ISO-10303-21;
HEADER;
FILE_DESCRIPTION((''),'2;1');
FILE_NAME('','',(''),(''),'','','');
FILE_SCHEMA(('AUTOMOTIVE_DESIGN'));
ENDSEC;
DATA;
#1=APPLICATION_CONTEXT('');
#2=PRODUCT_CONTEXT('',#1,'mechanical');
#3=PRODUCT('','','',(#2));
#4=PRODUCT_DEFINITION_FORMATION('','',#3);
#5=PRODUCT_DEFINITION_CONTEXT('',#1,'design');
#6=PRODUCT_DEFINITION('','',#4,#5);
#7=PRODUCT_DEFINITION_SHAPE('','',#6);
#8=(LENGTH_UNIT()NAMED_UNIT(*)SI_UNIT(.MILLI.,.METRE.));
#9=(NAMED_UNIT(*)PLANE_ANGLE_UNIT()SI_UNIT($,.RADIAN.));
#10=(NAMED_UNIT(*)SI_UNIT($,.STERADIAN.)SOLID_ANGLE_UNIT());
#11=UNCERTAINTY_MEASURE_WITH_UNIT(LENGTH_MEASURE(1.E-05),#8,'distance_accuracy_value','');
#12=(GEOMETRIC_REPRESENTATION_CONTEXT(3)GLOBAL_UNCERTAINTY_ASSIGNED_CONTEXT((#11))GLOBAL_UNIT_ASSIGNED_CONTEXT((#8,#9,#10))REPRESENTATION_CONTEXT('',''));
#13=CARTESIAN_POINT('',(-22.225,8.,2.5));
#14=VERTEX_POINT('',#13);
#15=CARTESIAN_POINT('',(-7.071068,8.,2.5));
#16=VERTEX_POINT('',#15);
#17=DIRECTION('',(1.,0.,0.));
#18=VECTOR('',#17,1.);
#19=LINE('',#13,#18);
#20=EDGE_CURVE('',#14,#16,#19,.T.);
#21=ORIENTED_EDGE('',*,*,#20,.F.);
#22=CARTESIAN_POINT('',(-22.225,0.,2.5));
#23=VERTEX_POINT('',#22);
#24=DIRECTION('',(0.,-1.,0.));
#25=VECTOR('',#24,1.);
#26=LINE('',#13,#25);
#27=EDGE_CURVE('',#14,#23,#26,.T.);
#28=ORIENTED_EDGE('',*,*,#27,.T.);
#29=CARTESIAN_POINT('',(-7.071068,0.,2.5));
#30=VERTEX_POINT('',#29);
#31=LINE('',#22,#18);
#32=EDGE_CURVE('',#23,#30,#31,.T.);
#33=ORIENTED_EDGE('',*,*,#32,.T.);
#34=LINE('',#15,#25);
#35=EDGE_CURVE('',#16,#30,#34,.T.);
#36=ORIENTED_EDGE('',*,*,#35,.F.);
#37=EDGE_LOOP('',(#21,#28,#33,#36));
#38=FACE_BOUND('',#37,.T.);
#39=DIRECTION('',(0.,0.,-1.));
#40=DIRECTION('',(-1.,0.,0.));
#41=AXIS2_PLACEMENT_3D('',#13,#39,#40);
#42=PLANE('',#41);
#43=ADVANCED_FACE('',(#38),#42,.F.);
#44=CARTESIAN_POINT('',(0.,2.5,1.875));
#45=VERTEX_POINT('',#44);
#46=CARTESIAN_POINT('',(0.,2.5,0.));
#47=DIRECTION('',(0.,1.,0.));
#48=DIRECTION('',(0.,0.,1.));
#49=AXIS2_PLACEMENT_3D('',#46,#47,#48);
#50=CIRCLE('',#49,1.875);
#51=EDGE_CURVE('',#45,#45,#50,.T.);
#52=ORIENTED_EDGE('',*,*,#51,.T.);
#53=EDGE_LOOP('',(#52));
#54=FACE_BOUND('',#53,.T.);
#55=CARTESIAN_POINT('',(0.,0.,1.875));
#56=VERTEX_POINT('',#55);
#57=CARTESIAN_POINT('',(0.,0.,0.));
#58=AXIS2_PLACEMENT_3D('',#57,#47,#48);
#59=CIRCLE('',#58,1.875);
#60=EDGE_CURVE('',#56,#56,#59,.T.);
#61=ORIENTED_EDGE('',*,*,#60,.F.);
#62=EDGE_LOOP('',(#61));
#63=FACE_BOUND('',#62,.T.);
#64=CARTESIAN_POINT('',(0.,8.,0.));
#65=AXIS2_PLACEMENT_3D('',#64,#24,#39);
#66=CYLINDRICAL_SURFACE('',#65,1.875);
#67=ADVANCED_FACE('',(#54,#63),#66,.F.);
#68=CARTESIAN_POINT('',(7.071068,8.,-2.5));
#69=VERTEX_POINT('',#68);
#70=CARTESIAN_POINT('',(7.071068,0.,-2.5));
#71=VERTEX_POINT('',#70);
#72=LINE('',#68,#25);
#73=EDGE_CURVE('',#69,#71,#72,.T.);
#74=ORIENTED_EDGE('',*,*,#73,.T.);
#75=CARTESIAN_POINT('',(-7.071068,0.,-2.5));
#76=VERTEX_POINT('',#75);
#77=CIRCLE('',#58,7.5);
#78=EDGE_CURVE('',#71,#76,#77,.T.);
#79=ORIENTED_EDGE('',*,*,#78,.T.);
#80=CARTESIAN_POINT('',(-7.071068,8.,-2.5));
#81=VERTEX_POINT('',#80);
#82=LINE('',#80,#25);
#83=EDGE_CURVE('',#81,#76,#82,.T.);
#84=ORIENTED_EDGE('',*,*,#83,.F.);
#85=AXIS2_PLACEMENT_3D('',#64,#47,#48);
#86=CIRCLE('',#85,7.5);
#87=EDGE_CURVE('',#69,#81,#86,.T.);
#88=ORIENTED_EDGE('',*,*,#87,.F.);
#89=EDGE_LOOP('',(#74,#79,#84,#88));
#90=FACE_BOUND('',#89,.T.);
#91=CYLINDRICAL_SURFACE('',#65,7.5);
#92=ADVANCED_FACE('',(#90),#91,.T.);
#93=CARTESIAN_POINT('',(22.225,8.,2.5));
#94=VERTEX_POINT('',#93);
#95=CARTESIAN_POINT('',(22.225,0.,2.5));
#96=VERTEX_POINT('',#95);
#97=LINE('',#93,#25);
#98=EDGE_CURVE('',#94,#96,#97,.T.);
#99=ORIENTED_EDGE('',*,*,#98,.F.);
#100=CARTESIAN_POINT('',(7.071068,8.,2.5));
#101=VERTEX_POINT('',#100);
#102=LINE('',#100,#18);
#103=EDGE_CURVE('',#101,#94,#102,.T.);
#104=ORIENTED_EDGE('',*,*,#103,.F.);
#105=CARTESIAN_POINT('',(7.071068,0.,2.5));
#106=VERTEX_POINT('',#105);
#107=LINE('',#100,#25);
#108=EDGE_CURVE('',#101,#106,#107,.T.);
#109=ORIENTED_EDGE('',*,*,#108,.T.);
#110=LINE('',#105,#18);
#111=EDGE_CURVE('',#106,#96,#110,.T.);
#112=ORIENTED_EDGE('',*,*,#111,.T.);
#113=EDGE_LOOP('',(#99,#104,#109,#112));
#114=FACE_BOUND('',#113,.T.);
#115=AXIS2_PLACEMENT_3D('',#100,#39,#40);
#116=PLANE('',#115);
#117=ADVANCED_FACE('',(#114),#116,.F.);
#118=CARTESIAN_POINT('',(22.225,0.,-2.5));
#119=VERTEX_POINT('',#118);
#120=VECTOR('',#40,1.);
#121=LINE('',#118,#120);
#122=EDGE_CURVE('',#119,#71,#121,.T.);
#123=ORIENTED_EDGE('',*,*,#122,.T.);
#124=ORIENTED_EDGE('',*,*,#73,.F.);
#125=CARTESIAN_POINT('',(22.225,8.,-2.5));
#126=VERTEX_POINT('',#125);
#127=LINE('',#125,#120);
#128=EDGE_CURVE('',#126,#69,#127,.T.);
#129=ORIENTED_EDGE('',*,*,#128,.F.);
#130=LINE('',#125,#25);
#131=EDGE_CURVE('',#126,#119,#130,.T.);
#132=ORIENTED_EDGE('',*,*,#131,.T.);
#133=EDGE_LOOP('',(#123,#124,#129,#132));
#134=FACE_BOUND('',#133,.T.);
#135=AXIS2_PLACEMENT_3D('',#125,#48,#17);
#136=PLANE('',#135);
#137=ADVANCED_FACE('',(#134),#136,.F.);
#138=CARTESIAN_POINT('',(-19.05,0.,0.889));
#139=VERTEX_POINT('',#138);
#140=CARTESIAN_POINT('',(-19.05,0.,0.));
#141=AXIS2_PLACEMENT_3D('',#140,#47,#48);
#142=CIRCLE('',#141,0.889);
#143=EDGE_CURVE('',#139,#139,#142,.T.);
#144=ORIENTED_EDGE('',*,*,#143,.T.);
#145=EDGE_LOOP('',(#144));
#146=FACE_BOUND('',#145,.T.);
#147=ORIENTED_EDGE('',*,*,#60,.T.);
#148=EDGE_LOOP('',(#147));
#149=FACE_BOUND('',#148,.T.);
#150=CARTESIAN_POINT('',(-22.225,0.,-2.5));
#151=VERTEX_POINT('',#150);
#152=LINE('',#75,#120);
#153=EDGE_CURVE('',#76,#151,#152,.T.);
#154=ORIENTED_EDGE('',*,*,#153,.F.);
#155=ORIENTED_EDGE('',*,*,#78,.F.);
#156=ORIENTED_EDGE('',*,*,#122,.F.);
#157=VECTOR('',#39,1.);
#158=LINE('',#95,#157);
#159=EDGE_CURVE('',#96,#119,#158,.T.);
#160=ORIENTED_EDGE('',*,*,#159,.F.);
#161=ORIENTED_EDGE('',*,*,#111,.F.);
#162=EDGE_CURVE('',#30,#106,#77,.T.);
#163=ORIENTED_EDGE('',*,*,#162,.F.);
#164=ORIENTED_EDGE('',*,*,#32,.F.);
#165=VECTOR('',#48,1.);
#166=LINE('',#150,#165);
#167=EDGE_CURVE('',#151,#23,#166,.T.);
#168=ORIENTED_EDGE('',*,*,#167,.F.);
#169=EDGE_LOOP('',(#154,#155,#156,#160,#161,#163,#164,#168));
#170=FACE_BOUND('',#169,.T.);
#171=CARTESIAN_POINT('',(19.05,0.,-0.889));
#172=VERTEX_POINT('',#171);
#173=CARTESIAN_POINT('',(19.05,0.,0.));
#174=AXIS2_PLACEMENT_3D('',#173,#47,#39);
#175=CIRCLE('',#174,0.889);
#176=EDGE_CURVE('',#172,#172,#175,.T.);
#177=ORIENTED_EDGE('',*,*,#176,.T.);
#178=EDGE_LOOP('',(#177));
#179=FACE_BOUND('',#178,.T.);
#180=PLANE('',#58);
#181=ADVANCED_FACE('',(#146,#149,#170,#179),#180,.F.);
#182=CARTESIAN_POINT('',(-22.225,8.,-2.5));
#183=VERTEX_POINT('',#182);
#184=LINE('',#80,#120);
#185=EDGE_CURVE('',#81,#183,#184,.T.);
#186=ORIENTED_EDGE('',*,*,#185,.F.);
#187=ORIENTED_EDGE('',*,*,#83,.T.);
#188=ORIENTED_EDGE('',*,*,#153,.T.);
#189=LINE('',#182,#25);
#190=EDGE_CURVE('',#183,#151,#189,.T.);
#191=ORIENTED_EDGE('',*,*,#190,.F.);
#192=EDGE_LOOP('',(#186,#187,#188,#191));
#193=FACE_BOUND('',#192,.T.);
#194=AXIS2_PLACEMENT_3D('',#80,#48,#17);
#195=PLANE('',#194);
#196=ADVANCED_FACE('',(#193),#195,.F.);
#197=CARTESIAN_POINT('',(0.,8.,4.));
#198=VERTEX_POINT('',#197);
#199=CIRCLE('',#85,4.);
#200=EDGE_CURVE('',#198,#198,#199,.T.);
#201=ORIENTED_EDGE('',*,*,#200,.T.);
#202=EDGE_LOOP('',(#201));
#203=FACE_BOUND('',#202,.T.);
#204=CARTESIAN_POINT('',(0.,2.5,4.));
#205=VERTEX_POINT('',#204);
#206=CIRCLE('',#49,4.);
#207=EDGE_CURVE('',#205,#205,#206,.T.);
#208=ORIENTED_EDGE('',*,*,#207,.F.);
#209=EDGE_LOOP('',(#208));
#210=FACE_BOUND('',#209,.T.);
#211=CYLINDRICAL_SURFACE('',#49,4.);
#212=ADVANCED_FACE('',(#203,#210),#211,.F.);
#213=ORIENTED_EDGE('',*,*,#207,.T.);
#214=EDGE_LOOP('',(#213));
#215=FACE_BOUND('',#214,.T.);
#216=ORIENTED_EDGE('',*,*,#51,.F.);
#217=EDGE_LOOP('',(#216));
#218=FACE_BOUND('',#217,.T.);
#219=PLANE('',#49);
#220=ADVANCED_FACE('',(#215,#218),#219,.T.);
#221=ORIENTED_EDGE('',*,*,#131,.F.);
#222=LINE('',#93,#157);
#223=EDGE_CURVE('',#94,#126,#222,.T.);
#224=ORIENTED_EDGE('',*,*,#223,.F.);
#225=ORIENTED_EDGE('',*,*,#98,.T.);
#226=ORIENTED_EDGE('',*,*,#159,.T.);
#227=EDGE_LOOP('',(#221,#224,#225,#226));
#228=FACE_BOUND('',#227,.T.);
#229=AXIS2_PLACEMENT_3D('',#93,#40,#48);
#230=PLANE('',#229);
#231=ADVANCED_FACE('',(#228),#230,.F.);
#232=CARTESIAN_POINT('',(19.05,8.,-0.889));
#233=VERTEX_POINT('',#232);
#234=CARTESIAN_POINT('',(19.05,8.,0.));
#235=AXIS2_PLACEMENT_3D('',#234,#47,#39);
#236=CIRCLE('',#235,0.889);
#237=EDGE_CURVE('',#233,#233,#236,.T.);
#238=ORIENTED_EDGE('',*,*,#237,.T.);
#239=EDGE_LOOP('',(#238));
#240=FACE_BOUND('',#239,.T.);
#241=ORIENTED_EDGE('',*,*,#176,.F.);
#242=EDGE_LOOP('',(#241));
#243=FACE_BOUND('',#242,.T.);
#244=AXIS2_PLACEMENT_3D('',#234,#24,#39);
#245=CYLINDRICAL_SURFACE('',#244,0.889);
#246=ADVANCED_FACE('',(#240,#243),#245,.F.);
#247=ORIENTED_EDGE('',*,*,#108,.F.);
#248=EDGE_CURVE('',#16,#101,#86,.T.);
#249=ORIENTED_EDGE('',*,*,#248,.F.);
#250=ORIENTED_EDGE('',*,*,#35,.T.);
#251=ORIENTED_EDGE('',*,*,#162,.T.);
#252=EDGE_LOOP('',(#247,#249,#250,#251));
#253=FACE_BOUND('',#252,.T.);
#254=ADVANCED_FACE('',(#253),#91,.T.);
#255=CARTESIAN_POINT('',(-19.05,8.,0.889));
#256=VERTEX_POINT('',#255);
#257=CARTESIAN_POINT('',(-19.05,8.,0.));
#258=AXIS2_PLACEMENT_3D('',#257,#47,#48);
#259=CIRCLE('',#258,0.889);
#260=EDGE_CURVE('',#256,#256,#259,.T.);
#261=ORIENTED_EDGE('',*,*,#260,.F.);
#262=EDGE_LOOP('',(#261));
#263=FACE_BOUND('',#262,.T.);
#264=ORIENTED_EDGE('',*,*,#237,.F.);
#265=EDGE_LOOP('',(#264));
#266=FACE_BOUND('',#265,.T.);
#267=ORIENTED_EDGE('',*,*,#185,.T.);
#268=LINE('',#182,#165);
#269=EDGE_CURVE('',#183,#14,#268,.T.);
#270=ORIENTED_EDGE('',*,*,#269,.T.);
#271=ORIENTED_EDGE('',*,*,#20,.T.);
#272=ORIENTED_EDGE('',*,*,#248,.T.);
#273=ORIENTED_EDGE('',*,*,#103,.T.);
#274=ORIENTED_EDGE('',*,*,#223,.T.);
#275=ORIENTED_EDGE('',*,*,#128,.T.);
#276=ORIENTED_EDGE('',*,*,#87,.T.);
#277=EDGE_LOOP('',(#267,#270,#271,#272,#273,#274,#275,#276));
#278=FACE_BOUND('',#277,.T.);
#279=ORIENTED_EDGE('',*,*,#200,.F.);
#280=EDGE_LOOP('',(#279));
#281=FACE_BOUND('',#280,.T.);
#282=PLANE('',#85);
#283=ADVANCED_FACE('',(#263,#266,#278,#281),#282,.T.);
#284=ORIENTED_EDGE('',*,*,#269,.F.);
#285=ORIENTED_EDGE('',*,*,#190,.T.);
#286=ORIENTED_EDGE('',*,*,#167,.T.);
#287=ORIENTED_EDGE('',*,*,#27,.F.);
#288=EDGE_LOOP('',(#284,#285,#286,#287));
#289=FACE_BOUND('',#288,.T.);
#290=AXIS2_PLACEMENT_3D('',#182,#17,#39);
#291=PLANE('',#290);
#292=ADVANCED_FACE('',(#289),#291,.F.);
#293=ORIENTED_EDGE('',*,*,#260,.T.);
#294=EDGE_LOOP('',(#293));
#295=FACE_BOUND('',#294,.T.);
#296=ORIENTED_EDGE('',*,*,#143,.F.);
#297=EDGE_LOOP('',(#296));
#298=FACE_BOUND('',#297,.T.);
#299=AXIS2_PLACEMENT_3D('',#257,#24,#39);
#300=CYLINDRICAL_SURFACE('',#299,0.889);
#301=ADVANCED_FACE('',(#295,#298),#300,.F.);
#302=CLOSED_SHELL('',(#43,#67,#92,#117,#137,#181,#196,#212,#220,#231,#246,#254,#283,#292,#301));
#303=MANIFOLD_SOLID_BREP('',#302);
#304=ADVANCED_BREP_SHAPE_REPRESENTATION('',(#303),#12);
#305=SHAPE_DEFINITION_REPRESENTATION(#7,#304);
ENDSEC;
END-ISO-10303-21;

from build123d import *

# Parameters (mm, degrees)
SKETCH1_R           = 0.889
SKETCH1_R_2         = 1.875
BOSS_EXTRUDE1_DEPTH = 8
SKETCH2_R           = 4
CUT_EXTRUDE1_DEPTH  = 5.5


with BuildPart() as part:
    # Sketch1 → Boss-Extrude1 (new body)
    with BuildSketch(Plane(origin=(0, 0, 0), x_dir=(1, 0, 0), z_dir=(0, 1, 0))):
        with BuildLine():
            Line((-22.225, 2.5), (-22.225, -2.5))
            Line((-22.225, -2.5), (-7.071067812, -2.5))
            ThreePointArc((-7.071067812, -2.5), (0, -7.5), (7.071067812, -2.5))
            Line((7.071067812, -2.5), (22.225, -2.5))
            Line((22.225, -2.5), (22.225, 2.5))
            Line((22.225, 2.5), (7.071067812, 2.5))
            ThreePointArc((7.071067812, 2.5), (0, 7.5), (-7.071067812, 2.5))
            Line((-7.071067812, 2.5), (-22.225, 2.5))
        make_face()
        with Locations(Location((-19.05, 0, 0), (0, 0, 270))):
            Circle(SKETCH1_R, mode=Mode.SUBTRACT)
        with Locations(Location((0, 0, 0), (0, 0, 270))):
            Circle(SKETCH1_R_2, mode=Mode.SUBTRACT)
        with Locations(Location((19.05, 0, 0), (0, 0, 90))):
            Circle(SKETCH1_R, mode=Mode.SUBTRACT)
    extrude(amount=BOSS_EXTRUDE1_DEPTH)

    # Sketch2 → Cut-Extrude1 (cut)
    with BuildSketch(Plane(origin=(0, 8, 0), x_dir=(1, 0, 0), z_dir=(0, 1, 0))):
        with Locations(Location((0, 0, 0), (0, 0, 270))):
            Circle(SKETCH2_R)
    extrude(amount=-CUT_EXTRUDE1_DEPTH, mode=Mode.SUBTRACT)


solid = part.part
